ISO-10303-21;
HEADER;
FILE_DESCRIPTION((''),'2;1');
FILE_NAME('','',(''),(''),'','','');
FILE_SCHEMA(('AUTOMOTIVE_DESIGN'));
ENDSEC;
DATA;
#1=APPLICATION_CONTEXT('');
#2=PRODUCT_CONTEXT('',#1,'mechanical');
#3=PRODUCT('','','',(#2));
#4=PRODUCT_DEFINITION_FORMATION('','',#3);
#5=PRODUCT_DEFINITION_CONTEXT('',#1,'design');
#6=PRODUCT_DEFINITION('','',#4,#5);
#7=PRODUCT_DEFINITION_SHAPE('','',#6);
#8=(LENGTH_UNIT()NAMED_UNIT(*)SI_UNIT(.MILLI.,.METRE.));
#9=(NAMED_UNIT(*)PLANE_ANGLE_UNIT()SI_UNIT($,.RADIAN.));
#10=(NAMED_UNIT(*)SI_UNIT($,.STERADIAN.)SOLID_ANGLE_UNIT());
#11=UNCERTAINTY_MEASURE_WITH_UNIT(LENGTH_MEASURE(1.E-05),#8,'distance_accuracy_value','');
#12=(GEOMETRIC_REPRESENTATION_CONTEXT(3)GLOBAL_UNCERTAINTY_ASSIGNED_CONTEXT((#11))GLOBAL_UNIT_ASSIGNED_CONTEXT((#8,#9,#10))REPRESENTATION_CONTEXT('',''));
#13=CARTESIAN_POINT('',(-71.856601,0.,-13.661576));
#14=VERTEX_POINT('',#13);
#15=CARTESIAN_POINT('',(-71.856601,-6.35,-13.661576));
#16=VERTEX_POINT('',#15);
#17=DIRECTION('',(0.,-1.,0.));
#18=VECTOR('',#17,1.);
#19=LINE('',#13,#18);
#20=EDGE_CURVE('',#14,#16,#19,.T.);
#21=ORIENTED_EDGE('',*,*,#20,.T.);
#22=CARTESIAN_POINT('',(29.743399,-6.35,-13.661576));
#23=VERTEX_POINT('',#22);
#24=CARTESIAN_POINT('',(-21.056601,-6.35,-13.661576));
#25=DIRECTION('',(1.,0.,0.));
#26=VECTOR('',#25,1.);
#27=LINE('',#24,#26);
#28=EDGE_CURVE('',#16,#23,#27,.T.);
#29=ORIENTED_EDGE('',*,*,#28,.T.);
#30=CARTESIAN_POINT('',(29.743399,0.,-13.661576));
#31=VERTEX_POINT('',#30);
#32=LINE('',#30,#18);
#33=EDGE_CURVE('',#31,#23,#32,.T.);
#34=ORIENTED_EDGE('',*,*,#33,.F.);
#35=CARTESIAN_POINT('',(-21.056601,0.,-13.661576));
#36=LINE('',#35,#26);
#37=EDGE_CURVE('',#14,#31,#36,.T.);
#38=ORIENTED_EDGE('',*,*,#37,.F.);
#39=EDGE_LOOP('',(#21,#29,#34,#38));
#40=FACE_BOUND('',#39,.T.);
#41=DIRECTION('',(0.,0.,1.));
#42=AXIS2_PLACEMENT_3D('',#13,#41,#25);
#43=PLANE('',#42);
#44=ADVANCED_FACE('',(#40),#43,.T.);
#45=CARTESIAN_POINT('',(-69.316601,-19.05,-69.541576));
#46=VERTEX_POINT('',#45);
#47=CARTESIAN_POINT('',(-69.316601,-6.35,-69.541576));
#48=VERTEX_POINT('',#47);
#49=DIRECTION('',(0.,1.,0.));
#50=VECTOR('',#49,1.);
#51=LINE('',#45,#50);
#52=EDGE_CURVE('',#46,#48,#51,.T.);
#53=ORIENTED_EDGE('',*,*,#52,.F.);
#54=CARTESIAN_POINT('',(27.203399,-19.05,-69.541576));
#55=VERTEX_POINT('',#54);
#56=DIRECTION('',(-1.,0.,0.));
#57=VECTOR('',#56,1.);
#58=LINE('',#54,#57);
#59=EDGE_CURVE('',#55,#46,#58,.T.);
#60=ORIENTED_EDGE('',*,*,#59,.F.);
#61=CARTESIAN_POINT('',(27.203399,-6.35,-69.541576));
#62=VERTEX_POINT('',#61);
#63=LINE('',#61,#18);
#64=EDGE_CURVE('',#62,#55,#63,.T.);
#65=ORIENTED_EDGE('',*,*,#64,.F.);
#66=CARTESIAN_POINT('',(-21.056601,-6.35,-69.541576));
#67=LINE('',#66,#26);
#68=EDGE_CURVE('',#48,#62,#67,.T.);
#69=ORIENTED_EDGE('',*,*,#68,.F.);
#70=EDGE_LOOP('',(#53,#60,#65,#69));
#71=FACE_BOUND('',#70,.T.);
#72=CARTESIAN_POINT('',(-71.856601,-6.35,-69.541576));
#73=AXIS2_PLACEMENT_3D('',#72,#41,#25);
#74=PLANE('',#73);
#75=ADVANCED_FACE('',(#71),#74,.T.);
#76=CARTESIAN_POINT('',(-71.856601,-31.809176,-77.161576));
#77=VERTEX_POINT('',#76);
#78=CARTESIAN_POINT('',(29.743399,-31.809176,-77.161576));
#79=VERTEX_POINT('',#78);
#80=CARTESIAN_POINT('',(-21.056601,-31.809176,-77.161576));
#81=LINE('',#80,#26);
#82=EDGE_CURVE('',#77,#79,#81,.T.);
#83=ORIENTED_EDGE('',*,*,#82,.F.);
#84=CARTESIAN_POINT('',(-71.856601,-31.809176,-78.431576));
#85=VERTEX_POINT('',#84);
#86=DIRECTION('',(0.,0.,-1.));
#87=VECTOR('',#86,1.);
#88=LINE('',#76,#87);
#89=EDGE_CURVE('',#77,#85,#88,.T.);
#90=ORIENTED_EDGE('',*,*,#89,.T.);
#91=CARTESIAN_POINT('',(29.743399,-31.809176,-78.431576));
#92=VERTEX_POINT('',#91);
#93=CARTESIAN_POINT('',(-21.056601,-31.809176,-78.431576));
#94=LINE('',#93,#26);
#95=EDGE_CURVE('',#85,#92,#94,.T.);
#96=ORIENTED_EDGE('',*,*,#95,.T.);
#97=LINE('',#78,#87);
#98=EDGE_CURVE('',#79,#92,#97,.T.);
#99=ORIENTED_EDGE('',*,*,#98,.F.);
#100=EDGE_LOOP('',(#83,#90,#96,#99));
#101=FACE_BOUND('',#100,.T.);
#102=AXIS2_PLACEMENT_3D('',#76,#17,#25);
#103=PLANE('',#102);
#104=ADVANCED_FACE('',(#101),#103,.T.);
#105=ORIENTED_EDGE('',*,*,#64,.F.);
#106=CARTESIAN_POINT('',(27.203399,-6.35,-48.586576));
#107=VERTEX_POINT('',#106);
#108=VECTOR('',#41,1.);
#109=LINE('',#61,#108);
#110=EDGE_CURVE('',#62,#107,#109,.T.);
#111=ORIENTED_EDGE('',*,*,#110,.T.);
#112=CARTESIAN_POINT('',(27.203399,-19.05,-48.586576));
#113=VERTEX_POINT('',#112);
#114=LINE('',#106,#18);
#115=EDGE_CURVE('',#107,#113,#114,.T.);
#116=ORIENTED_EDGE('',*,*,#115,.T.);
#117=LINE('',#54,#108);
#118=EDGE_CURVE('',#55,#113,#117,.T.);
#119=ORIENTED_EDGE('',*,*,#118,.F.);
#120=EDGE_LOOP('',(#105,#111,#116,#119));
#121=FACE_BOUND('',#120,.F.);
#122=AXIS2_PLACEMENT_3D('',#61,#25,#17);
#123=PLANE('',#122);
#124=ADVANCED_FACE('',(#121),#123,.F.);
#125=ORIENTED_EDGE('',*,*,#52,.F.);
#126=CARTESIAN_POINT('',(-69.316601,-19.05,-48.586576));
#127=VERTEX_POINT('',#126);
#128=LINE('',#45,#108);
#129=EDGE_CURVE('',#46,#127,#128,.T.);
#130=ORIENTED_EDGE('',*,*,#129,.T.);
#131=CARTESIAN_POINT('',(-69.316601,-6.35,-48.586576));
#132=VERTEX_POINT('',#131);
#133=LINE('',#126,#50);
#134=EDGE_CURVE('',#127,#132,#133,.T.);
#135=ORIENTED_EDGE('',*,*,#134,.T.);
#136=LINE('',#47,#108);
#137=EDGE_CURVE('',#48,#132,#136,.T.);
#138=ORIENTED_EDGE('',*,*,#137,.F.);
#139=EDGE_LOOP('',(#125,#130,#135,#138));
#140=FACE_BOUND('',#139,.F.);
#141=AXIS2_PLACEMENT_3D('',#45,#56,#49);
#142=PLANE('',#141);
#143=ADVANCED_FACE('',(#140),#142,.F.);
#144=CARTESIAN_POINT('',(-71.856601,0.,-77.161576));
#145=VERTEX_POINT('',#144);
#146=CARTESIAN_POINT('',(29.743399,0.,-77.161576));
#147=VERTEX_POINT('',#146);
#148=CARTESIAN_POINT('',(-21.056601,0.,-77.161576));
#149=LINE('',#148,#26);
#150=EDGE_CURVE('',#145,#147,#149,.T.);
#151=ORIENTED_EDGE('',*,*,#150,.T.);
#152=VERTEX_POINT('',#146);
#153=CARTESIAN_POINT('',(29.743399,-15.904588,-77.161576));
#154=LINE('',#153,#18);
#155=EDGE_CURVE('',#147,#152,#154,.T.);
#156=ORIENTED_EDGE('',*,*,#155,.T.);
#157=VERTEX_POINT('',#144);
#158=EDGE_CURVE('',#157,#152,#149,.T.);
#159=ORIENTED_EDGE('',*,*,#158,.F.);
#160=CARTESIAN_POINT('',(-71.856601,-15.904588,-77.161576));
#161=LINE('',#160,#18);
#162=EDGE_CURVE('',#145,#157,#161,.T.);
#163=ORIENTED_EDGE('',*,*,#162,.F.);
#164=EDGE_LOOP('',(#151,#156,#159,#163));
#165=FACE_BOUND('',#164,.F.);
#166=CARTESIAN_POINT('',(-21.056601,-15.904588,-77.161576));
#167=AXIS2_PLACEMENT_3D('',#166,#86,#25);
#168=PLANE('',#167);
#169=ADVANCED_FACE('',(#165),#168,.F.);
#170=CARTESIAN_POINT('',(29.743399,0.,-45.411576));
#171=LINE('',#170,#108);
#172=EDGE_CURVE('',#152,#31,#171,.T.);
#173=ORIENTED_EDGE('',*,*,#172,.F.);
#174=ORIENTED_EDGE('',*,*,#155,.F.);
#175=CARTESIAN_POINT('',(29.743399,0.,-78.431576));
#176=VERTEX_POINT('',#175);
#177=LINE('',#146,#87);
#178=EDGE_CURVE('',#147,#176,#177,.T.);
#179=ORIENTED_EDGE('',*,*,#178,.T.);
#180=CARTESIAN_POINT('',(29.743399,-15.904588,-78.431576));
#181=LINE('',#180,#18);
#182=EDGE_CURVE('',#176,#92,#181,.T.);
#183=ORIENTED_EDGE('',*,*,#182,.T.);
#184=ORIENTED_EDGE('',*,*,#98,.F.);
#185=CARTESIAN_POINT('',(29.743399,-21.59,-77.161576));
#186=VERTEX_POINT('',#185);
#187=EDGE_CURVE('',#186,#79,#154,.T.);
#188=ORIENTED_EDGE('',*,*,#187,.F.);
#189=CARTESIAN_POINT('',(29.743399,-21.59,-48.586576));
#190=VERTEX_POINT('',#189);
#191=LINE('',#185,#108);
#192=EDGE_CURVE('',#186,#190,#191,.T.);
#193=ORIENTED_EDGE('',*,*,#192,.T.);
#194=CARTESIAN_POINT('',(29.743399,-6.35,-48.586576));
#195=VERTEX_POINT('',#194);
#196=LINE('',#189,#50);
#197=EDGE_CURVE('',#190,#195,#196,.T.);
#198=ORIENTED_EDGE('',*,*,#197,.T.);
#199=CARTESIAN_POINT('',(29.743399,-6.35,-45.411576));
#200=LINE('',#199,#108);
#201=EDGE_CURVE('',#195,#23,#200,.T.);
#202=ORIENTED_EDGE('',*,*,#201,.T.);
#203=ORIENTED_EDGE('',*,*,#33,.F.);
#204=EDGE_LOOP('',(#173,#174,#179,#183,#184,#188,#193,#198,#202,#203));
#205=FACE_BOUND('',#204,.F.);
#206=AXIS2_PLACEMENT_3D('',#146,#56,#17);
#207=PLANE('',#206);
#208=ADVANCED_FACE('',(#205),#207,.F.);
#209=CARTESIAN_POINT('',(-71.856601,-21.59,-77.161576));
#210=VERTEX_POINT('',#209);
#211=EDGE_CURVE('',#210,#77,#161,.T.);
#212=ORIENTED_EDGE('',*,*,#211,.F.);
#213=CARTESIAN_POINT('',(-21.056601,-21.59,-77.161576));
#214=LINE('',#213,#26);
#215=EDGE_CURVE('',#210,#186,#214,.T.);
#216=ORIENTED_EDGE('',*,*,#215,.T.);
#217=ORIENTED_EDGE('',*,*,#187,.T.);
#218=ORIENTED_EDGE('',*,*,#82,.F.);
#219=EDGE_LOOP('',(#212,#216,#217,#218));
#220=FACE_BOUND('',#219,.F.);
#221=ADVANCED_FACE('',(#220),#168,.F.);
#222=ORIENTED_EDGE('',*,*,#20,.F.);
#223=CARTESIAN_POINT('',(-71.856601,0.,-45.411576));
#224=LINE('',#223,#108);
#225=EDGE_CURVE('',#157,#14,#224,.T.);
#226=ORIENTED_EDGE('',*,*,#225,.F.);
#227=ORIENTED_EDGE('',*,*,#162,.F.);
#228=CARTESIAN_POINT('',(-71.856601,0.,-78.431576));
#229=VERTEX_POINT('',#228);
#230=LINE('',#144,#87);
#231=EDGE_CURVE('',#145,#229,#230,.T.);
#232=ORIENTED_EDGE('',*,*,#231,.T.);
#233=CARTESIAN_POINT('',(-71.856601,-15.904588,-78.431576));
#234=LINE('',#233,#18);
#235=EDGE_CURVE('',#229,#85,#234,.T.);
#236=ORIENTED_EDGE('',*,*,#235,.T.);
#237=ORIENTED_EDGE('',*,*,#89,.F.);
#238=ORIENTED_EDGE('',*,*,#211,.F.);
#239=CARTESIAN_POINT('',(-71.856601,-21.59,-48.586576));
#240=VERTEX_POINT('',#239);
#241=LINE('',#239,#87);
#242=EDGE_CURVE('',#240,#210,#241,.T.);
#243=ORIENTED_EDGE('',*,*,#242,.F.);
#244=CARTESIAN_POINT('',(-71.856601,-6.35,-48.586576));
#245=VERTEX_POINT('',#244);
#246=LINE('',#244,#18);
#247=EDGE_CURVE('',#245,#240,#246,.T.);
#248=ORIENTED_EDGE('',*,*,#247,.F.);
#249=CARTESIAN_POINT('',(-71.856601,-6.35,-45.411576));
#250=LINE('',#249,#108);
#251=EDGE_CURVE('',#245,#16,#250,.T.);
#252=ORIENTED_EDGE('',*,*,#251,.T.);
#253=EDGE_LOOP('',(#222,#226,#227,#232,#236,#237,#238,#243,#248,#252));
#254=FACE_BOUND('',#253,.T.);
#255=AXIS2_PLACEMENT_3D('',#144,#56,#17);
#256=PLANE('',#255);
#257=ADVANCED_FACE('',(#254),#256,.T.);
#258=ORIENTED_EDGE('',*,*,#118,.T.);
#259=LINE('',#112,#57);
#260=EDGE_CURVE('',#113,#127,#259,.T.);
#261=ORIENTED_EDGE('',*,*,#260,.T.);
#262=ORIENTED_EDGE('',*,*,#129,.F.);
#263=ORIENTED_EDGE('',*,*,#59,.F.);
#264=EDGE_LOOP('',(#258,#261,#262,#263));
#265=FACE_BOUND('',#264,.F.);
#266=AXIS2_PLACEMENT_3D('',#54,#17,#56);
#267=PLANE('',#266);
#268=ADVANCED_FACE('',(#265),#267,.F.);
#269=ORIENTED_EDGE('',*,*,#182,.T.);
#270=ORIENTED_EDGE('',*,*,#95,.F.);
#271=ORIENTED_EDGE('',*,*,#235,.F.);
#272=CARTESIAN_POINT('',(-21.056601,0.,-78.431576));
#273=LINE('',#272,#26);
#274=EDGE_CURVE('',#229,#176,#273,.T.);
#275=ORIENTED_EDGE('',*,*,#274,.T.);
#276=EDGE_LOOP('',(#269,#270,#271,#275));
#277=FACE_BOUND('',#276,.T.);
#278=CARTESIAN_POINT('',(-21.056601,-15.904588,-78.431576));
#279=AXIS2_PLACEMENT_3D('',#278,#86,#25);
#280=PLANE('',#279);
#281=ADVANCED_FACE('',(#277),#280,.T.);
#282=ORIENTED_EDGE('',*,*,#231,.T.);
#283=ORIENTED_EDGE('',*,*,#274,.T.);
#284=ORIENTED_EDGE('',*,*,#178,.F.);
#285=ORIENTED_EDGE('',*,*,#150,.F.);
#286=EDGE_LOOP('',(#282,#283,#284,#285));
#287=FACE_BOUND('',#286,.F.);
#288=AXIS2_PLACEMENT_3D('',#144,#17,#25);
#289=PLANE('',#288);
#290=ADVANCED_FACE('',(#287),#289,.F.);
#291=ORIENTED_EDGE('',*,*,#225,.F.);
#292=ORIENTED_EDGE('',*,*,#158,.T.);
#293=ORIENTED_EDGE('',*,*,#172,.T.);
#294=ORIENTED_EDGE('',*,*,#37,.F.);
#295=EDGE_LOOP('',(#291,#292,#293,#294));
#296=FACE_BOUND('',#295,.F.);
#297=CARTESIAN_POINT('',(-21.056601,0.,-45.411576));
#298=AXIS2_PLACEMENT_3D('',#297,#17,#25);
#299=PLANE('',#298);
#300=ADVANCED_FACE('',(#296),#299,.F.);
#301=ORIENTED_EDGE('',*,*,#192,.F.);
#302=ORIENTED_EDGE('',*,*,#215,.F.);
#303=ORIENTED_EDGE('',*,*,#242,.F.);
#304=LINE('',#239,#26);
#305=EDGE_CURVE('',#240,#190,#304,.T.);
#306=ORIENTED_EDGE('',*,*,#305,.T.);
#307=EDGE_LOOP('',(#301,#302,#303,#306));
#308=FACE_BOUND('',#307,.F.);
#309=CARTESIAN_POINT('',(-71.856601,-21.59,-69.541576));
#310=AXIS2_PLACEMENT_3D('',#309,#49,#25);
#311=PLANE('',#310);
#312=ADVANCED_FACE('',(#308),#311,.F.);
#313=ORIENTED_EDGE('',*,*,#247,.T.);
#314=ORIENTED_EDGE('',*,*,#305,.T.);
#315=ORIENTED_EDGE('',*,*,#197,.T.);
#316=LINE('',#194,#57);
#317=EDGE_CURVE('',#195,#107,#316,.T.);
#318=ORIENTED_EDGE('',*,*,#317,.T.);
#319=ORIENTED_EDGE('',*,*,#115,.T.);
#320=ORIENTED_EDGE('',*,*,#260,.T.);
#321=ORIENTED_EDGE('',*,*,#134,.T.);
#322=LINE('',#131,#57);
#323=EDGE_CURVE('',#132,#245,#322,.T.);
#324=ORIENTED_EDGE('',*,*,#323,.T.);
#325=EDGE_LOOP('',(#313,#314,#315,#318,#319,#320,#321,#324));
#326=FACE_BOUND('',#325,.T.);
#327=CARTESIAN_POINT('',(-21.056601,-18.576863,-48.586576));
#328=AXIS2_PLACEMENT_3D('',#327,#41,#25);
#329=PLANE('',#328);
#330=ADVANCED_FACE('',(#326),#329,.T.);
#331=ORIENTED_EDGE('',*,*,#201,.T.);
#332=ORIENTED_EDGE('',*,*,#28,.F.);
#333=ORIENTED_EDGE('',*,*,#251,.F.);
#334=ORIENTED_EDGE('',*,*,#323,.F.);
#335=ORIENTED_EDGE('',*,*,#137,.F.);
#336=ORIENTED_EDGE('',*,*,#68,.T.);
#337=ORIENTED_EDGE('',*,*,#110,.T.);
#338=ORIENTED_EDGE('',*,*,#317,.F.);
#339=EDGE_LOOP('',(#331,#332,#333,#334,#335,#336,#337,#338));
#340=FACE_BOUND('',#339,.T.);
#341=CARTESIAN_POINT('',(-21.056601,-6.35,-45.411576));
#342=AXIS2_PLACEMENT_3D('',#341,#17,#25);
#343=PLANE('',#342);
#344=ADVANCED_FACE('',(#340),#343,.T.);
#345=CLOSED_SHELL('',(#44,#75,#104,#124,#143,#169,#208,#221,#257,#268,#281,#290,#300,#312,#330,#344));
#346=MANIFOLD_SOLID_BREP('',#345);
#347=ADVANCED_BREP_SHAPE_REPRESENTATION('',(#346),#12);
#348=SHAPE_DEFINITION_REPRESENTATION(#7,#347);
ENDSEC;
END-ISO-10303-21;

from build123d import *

# Parameters (mm, degrees)
F0_W     = 101.6
F0_H     = 63.5
F1_DEPTH = 6.35
F2_W     = 101.6
F2_H     = 7.62
F3_DEPTH = 15.24
F5_DEPTH = 20.955
F6_W     = 101.6
F6_H     = 31.809177
F7_DEPTH = 1.27
F8_DEPTH = 1.27


with BuildPart() as f1:
    # F0 (on Front) → F1 (new body)
    with BuildSketch(Plane.XZ):
        with Locations((-21.056601, -45.411576)):
            Rectangle(F0_W, F0_H)
    extrude(amount=F1_DEPTH)

    # F2 (on face) → F3 (join)
    with BuildSketch(Plane.XZ.offset(6.35)):
        with Locations((-21.056601, -73.351576)):
            Rectangle(F2_W, F2_H)
    extrude(amount=F3_DEPTH)

    # F4 (on face) → F5 (join)
    with BuildSketch(Plane.XY.offset(-69.541576)):
        Polygon((-71.856601, -19.05), (-71.856601, -21.59), (-69.316601, -21.59), (27.203399, -21.59), (29.743399, -21.59), (29.743399, -19.05), (29.743399, -6.35), (27.203399, -6.35), (27.203399, -19.05), (-69.316601, -19.05), (-69.316601, -6.35), (-71.856601, -6.35), align=None)
    extrude(amount=F5_DEPTH)

    # F6 (on face) → F7 (join)
    with BuildSketch(Plane(origin=(0, 0, -77.161576), x_dir=(1, 0, 0), z_dir=(0, 0, -1))):
        with Locations((-21.056601, 15.904588)):
            Rectangle(F6_W, F6_H)
    extrude(amount=F7_DEPTH)

    # F6 (on face) → F8 (join)
    with BuildSketch(Plane(origin=(0, 0, -77.161576), x_dir=(1, 0, 0), z_dir=(0, 0, -1))):
        with Locations((-21.056601, 15.904588)):
            Rectangle(F6_W, F6_H)
    extrude(amount=F8_DEPTH)


solid = f1.part
